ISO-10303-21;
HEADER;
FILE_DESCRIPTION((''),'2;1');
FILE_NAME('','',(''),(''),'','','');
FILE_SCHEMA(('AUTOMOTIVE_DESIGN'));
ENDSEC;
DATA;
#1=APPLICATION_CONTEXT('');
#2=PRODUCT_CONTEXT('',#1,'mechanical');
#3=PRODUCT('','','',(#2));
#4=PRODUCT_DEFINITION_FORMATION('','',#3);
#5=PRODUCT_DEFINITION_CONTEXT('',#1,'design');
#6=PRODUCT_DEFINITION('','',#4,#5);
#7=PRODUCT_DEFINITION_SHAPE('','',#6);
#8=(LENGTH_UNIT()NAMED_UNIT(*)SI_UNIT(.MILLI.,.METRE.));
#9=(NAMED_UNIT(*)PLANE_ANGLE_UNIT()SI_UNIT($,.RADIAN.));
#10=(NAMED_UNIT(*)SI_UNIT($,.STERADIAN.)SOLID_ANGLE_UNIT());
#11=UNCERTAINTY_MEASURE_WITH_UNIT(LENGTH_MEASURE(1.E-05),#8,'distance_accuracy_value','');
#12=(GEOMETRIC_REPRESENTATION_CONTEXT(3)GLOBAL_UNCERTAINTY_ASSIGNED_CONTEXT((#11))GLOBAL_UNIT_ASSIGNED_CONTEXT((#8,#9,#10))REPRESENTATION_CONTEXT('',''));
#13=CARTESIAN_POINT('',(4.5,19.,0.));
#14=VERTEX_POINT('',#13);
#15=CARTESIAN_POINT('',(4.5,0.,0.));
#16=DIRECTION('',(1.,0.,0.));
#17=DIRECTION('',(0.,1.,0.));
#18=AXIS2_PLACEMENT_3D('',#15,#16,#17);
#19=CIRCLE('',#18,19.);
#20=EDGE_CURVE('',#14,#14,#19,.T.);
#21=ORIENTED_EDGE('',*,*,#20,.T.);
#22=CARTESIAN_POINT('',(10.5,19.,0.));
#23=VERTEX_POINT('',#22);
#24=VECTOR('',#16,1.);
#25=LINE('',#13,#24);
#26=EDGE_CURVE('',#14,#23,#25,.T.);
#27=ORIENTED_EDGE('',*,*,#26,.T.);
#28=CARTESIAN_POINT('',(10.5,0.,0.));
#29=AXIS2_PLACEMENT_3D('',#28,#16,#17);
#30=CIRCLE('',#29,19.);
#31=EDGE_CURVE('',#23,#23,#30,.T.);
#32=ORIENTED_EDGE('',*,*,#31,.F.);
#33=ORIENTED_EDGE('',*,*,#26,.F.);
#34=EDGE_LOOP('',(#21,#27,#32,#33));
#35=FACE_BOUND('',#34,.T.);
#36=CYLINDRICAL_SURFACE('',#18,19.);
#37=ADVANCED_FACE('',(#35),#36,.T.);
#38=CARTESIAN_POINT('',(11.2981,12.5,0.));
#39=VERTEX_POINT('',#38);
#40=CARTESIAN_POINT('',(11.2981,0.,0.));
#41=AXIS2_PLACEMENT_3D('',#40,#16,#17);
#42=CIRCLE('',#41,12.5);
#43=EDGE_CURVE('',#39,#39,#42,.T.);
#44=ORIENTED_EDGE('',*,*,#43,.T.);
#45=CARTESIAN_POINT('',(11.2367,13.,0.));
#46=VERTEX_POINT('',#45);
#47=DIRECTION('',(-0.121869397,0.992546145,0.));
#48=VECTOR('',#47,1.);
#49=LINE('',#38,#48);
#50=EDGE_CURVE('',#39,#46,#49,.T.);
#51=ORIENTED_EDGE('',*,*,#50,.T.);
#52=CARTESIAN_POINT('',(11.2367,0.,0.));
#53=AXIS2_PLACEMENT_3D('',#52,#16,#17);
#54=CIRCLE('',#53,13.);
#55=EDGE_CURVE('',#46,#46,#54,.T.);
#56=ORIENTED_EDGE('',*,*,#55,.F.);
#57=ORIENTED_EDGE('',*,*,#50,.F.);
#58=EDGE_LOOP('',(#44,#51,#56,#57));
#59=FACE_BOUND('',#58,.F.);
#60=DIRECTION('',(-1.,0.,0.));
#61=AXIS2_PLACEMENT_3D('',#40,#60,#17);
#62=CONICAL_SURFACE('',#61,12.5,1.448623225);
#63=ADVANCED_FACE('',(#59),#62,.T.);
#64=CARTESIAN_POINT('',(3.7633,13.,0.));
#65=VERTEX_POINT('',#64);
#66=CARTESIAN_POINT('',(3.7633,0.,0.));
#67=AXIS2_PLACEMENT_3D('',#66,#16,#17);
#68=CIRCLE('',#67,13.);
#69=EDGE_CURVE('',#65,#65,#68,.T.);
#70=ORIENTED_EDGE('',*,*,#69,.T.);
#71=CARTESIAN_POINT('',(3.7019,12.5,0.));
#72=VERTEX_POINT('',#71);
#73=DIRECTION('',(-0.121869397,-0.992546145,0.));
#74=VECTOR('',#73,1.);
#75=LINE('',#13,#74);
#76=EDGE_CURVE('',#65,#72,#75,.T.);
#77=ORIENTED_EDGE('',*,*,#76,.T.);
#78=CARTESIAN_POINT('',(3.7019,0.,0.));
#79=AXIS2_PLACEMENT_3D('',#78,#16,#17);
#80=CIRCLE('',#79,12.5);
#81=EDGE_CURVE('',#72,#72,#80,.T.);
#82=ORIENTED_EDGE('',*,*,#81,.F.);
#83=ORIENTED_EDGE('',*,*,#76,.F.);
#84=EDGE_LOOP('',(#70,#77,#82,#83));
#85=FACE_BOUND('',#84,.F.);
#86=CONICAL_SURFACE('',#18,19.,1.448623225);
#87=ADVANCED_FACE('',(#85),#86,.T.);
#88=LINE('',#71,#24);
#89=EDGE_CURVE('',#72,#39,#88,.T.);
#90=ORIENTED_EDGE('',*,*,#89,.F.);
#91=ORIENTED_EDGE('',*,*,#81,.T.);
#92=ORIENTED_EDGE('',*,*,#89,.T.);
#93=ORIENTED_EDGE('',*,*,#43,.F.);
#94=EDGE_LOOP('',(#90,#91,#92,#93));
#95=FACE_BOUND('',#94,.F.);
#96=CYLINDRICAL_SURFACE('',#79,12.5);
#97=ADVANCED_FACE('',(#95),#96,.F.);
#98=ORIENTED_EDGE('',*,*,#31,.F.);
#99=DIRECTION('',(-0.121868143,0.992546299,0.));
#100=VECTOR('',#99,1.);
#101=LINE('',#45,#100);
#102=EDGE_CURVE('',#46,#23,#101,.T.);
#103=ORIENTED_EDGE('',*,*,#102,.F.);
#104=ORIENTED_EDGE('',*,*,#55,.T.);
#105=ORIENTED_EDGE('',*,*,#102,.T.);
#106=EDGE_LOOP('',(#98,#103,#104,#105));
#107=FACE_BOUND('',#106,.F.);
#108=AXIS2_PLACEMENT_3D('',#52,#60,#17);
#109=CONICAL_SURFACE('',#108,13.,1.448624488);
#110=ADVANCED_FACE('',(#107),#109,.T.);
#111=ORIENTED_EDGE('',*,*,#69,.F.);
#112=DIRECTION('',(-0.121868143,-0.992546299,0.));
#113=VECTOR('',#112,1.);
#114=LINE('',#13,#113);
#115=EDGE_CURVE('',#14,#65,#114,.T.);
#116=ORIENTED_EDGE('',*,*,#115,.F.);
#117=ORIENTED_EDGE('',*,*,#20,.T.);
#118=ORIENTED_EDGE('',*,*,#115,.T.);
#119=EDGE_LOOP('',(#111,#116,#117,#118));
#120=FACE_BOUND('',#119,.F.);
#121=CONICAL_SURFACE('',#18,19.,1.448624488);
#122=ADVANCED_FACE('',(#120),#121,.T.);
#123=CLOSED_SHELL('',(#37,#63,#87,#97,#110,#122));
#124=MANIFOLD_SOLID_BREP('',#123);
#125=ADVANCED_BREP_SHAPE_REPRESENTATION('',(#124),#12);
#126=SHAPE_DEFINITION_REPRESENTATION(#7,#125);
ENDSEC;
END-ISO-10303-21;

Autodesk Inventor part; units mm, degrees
ref_plane "YZ Plane" through (0, 0, 0) normal (1, 0, 0) x (0, 1, 0)
ref_plane "XZ Plane" through (0, 0, 0) normal (0, 1, 0) x (-1, 0, 0)
ref_plane "XY Plane" through (0, 0, 0) normal (0, 0, 1) x (1, 0, 0)
sketch "草图2" plane through (0, 0, 0) normal (0, 0, 1) x (1, 0, 0)
  line L0 (4.5, 19) -> (3.7633, 13)
  line L1 (4.5, 19) -> (10.5, 19) projected
  line L2 (11.2367, 13) -> (10.5, 19)
  line L3 (10.5, 19) -> (4.5, 19)
  line L4 (4.5, 19) -> (3.7019, 12.5)
  line L5 (3.7019, 12.5) -> (11.2981, 12.5)
  line L6 (11.2981, 12.5) -> (10.5, 19)
  line L7 (0, 0) -> (15.5876, 0) construction
  dimension "d3" = 12.5
revolve "旋转2" add sketch "草图2" angle 360 about axis through (0, 0, 0) along (1, 0, 0)
properties part number "高速轴油封" material "橡胶"
